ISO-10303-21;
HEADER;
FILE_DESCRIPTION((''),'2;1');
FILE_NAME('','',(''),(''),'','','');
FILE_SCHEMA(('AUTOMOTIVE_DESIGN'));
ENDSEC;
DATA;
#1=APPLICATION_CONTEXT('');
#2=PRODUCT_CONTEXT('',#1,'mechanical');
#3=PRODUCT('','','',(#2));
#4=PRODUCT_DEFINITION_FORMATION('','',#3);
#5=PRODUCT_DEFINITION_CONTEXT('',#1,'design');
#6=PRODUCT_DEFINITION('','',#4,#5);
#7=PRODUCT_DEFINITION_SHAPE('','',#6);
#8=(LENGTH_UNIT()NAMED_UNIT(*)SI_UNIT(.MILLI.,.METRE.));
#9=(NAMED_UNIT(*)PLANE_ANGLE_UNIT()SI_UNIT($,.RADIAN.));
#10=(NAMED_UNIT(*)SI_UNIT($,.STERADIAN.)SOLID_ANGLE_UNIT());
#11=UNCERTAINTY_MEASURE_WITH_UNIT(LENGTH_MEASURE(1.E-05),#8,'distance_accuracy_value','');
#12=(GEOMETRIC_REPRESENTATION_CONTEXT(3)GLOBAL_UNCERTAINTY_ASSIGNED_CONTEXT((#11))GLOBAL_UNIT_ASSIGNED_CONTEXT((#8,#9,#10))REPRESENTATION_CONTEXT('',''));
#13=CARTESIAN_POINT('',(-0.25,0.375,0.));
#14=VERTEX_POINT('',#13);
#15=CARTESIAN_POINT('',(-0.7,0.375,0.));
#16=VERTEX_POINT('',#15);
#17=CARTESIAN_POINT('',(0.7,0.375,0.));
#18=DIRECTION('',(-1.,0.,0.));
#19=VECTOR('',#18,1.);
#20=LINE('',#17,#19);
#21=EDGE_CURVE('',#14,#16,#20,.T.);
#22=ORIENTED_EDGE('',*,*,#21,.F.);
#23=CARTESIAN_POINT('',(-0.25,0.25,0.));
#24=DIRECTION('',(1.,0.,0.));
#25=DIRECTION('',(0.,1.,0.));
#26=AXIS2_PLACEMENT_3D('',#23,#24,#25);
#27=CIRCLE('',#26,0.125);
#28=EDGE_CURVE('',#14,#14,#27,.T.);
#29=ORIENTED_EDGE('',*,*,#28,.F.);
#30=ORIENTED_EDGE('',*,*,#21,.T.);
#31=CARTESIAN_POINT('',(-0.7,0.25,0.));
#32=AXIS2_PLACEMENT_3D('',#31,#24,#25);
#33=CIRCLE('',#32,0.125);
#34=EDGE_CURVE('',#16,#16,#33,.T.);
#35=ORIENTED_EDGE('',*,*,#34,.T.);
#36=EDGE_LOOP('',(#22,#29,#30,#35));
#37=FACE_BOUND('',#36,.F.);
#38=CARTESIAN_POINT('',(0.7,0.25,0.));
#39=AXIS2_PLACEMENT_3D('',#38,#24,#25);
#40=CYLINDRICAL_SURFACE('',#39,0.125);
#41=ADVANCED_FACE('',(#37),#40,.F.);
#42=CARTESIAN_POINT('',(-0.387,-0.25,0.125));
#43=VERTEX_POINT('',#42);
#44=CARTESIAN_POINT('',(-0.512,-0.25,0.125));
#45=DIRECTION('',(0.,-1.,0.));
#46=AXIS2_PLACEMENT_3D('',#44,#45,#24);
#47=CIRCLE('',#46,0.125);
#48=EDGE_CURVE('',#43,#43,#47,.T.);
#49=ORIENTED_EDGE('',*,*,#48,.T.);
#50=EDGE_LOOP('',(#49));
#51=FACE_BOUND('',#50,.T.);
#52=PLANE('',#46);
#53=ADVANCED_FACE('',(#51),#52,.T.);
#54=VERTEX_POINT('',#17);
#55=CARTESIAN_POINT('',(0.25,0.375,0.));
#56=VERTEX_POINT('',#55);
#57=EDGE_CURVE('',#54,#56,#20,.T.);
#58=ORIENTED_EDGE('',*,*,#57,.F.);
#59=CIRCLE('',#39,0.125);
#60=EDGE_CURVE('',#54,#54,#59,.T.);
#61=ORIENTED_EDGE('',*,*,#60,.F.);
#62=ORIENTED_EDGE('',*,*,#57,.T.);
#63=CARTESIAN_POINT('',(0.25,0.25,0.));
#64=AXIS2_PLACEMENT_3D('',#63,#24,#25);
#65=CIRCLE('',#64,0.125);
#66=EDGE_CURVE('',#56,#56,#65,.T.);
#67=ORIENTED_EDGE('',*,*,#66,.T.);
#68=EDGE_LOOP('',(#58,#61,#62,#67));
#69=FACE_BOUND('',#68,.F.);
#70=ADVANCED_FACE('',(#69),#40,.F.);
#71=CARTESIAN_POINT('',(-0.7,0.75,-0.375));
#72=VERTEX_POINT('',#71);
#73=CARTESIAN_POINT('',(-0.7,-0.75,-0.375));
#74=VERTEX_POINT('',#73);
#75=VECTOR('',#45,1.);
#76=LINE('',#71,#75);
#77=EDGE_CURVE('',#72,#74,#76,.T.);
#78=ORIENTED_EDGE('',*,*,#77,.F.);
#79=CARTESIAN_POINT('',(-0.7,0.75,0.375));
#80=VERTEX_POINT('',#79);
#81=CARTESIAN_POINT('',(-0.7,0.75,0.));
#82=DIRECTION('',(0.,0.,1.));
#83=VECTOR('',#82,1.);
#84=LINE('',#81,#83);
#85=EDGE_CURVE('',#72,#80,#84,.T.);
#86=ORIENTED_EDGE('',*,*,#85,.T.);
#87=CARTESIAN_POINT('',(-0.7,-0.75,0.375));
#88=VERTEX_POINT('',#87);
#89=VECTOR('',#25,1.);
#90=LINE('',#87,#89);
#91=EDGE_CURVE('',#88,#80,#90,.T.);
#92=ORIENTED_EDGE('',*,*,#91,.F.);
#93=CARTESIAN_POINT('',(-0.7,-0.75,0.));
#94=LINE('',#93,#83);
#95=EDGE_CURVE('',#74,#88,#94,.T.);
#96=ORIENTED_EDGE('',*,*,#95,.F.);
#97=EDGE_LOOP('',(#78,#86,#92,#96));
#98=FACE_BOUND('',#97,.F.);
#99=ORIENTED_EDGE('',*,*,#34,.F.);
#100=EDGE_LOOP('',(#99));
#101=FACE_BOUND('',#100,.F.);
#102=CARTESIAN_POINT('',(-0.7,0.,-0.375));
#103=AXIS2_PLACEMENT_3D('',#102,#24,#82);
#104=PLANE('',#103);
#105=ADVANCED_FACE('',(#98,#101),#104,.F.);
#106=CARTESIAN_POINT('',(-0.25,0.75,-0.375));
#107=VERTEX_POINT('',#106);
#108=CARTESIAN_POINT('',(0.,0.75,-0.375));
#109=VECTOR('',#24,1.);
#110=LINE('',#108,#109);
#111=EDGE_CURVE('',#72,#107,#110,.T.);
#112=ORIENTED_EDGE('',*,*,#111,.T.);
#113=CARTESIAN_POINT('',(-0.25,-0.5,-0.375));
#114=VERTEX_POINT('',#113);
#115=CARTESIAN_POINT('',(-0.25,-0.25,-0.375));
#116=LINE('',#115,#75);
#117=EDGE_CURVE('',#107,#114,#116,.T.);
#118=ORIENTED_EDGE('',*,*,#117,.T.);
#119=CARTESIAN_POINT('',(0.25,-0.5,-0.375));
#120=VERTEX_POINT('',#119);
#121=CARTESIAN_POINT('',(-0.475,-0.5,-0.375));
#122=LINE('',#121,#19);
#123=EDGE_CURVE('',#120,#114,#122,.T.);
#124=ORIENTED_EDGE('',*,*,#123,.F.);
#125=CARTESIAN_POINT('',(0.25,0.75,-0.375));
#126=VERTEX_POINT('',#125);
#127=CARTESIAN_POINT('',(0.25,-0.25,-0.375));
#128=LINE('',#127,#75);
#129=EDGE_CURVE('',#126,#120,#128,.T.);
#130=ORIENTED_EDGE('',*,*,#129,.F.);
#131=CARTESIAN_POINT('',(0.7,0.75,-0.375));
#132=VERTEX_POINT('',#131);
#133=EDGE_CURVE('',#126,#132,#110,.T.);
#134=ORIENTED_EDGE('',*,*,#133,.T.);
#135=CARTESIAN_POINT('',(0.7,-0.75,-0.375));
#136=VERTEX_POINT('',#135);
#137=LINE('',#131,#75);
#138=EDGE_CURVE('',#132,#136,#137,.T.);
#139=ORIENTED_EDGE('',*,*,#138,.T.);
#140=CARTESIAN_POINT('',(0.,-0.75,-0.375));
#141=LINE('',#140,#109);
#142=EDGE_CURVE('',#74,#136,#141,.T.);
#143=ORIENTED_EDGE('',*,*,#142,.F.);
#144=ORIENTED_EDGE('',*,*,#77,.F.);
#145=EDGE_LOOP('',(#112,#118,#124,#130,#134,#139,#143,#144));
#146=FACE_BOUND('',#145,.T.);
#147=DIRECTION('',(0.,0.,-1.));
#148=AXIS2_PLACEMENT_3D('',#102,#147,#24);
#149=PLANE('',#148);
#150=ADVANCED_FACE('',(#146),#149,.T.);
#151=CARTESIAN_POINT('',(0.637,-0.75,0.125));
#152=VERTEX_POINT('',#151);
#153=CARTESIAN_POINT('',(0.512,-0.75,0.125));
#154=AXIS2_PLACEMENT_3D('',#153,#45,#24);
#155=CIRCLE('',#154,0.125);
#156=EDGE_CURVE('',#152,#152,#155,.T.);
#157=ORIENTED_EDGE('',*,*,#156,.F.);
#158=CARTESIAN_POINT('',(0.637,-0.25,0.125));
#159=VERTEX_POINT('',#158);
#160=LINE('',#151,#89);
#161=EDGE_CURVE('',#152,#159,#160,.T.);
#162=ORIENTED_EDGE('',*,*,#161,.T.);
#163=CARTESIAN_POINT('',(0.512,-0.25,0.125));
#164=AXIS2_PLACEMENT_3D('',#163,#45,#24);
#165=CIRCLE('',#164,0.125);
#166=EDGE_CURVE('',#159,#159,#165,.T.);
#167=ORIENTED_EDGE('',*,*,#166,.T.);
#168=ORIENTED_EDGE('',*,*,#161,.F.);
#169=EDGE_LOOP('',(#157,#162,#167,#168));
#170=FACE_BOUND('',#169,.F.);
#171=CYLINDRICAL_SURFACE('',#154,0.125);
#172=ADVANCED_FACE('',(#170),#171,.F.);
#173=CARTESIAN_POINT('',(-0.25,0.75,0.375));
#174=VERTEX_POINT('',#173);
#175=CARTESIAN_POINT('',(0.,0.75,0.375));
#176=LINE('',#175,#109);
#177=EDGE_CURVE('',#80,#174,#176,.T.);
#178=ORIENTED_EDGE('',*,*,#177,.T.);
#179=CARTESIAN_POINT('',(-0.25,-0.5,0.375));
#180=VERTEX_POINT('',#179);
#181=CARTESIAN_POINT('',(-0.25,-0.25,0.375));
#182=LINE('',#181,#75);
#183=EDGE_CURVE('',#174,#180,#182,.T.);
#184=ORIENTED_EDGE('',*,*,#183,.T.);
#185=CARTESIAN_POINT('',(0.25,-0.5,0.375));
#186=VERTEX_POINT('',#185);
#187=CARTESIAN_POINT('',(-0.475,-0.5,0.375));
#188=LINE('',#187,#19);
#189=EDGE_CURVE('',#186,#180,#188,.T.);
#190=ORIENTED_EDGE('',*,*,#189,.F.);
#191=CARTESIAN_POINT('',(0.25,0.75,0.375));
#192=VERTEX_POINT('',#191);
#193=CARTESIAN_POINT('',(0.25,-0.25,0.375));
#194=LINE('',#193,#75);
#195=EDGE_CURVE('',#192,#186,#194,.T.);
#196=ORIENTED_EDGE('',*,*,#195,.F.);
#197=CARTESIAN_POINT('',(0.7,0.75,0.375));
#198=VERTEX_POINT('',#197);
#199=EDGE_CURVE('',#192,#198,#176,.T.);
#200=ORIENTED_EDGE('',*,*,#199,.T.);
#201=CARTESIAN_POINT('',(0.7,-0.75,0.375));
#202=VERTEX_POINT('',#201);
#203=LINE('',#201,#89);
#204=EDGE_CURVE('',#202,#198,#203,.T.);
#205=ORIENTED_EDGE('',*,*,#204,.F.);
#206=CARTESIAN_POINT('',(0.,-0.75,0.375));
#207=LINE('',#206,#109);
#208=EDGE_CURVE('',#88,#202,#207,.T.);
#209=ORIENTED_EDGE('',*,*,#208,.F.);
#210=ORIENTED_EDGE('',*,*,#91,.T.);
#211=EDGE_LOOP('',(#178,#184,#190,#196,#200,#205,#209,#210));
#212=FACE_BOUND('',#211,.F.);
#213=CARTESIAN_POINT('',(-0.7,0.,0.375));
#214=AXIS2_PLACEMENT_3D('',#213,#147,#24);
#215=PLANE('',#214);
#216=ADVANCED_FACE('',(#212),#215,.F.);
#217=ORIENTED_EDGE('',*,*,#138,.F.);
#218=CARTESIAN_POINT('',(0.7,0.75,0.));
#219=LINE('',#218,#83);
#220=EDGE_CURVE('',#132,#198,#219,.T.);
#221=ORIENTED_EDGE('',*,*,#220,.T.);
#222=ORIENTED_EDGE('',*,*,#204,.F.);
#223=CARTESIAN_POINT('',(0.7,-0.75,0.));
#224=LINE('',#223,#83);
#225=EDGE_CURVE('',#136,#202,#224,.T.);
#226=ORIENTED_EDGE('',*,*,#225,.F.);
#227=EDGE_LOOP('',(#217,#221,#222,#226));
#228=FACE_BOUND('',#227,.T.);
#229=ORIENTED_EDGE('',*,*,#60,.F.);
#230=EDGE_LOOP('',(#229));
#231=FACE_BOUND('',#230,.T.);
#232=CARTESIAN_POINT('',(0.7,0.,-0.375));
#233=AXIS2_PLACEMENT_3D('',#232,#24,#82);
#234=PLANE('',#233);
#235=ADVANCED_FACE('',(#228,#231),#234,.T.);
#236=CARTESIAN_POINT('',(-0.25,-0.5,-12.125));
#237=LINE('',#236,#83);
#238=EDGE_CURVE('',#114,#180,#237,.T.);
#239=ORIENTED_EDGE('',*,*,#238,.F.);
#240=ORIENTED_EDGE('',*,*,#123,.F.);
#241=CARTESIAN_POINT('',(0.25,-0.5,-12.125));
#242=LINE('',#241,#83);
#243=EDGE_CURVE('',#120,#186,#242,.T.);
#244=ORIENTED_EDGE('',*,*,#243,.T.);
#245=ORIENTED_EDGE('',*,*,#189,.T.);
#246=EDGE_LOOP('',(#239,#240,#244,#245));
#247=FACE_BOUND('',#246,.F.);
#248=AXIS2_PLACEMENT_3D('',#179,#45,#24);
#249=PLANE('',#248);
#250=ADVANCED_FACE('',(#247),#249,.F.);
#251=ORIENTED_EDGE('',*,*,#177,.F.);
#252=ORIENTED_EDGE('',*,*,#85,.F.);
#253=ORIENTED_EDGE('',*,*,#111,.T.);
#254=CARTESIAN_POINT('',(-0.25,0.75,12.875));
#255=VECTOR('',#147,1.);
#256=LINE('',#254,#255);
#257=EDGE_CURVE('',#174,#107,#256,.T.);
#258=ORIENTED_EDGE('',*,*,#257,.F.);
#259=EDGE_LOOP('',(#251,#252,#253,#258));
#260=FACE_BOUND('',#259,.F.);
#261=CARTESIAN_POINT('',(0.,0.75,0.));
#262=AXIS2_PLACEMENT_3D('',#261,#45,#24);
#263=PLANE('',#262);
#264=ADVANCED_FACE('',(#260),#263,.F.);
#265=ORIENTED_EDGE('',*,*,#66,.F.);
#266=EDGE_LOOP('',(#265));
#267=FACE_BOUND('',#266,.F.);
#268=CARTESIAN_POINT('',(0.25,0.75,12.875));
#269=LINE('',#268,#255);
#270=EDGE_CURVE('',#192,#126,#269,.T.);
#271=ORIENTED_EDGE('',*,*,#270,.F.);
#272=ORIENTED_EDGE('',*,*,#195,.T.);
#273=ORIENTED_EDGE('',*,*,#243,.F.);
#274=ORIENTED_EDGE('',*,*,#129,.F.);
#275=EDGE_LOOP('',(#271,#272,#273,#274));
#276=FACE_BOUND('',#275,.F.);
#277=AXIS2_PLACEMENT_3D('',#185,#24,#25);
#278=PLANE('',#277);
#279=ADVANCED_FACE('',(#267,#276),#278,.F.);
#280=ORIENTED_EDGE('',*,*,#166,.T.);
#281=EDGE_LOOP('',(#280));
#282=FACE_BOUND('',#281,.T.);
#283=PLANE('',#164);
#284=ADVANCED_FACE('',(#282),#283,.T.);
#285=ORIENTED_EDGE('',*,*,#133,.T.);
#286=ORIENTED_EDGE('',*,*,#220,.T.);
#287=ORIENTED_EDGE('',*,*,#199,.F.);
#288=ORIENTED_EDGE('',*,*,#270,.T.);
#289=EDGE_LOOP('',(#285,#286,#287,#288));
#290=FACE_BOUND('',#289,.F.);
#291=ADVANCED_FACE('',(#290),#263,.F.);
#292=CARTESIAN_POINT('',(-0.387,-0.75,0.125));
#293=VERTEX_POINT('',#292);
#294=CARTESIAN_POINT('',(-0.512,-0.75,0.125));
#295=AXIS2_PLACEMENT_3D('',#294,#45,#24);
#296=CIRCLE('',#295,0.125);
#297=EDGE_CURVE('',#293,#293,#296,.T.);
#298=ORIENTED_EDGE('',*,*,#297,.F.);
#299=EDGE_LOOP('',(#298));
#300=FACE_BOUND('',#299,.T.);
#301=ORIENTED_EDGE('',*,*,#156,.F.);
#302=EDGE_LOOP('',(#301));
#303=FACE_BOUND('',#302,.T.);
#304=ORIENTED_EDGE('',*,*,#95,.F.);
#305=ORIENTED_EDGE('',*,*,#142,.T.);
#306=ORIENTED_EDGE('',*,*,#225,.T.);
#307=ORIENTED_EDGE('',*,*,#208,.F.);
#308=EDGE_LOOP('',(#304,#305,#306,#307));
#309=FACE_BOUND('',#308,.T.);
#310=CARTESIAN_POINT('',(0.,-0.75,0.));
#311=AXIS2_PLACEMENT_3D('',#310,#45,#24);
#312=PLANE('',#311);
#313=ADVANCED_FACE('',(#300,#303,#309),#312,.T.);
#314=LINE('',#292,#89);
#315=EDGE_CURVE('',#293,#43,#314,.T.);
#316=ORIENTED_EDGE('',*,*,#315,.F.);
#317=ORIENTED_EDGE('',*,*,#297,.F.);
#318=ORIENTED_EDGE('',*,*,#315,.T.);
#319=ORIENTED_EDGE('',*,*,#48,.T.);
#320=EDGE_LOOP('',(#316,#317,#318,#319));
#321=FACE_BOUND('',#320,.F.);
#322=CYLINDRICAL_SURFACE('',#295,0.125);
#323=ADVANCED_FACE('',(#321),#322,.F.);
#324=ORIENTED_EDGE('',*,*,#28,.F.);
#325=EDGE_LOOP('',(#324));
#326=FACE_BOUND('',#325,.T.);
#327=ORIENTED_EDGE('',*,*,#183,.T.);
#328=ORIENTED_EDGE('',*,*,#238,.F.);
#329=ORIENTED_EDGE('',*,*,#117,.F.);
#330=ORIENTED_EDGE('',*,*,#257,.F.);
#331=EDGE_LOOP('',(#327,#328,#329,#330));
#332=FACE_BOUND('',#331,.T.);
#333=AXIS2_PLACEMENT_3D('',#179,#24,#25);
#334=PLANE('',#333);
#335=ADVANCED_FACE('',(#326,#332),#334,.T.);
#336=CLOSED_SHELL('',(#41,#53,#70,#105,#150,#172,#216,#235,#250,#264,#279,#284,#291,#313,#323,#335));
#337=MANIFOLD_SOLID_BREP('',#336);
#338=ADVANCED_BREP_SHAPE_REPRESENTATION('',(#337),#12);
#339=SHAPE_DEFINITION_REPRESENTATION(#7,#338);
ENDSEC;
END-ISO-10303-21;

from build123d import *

# Parameters (mm, degrees)
F0_W     = 1.4
F0_H     = 0.75
F1_DEPTH = 0.75
F2_R     = 0.125
F3_DEPTH = 25
F4_W     = 0.5
F4_H     = 1.25
F5_DEPTH = 12.5
F6_R     = 0.125
F7_DEPTH = 0.5


with BuildPart() as f1:
    # F0 (on Front) → F1 (new body, symmetric)
    with BuildSketch(Plane.XZ):
        Rectangle(F0_W, F0_H)
    extrude(amount=F1_DEPTH, both=True)

    # F2 (on face) → F3 (cut)
    with BuildSketch(Plane.YZ.offset(0.7)):
        with Locations((0.25, 0)):
            Circle(F2_R)
    extrude(amount=-F3_DEPTH, mode=Mode.SUBTRACT)

    # F4 (on face) → F5 (cut, symmetric)
    with BuildSketch(Plane.XY.offset(0.375)):
        with Locations((0, 0.125)):
            Rectangle(F4_W, F4_H)
    extrude(amount=F5_DEPTH, both=True, mode=Mode.SUBTRACT)

    # F6 (on face) → F7 (cut)
    with BuildSketch(Plane.XZ.offset(0.75)):
        with Locations((0.512, 0.125)):
            Circle(F6_R)
        with Locations((-0.512, 0.125)):
            Circle(F6_R)
    extrude(amount=-F7_DEPTH, mode=Mode.SUBTRACT)


solid = f1.part
